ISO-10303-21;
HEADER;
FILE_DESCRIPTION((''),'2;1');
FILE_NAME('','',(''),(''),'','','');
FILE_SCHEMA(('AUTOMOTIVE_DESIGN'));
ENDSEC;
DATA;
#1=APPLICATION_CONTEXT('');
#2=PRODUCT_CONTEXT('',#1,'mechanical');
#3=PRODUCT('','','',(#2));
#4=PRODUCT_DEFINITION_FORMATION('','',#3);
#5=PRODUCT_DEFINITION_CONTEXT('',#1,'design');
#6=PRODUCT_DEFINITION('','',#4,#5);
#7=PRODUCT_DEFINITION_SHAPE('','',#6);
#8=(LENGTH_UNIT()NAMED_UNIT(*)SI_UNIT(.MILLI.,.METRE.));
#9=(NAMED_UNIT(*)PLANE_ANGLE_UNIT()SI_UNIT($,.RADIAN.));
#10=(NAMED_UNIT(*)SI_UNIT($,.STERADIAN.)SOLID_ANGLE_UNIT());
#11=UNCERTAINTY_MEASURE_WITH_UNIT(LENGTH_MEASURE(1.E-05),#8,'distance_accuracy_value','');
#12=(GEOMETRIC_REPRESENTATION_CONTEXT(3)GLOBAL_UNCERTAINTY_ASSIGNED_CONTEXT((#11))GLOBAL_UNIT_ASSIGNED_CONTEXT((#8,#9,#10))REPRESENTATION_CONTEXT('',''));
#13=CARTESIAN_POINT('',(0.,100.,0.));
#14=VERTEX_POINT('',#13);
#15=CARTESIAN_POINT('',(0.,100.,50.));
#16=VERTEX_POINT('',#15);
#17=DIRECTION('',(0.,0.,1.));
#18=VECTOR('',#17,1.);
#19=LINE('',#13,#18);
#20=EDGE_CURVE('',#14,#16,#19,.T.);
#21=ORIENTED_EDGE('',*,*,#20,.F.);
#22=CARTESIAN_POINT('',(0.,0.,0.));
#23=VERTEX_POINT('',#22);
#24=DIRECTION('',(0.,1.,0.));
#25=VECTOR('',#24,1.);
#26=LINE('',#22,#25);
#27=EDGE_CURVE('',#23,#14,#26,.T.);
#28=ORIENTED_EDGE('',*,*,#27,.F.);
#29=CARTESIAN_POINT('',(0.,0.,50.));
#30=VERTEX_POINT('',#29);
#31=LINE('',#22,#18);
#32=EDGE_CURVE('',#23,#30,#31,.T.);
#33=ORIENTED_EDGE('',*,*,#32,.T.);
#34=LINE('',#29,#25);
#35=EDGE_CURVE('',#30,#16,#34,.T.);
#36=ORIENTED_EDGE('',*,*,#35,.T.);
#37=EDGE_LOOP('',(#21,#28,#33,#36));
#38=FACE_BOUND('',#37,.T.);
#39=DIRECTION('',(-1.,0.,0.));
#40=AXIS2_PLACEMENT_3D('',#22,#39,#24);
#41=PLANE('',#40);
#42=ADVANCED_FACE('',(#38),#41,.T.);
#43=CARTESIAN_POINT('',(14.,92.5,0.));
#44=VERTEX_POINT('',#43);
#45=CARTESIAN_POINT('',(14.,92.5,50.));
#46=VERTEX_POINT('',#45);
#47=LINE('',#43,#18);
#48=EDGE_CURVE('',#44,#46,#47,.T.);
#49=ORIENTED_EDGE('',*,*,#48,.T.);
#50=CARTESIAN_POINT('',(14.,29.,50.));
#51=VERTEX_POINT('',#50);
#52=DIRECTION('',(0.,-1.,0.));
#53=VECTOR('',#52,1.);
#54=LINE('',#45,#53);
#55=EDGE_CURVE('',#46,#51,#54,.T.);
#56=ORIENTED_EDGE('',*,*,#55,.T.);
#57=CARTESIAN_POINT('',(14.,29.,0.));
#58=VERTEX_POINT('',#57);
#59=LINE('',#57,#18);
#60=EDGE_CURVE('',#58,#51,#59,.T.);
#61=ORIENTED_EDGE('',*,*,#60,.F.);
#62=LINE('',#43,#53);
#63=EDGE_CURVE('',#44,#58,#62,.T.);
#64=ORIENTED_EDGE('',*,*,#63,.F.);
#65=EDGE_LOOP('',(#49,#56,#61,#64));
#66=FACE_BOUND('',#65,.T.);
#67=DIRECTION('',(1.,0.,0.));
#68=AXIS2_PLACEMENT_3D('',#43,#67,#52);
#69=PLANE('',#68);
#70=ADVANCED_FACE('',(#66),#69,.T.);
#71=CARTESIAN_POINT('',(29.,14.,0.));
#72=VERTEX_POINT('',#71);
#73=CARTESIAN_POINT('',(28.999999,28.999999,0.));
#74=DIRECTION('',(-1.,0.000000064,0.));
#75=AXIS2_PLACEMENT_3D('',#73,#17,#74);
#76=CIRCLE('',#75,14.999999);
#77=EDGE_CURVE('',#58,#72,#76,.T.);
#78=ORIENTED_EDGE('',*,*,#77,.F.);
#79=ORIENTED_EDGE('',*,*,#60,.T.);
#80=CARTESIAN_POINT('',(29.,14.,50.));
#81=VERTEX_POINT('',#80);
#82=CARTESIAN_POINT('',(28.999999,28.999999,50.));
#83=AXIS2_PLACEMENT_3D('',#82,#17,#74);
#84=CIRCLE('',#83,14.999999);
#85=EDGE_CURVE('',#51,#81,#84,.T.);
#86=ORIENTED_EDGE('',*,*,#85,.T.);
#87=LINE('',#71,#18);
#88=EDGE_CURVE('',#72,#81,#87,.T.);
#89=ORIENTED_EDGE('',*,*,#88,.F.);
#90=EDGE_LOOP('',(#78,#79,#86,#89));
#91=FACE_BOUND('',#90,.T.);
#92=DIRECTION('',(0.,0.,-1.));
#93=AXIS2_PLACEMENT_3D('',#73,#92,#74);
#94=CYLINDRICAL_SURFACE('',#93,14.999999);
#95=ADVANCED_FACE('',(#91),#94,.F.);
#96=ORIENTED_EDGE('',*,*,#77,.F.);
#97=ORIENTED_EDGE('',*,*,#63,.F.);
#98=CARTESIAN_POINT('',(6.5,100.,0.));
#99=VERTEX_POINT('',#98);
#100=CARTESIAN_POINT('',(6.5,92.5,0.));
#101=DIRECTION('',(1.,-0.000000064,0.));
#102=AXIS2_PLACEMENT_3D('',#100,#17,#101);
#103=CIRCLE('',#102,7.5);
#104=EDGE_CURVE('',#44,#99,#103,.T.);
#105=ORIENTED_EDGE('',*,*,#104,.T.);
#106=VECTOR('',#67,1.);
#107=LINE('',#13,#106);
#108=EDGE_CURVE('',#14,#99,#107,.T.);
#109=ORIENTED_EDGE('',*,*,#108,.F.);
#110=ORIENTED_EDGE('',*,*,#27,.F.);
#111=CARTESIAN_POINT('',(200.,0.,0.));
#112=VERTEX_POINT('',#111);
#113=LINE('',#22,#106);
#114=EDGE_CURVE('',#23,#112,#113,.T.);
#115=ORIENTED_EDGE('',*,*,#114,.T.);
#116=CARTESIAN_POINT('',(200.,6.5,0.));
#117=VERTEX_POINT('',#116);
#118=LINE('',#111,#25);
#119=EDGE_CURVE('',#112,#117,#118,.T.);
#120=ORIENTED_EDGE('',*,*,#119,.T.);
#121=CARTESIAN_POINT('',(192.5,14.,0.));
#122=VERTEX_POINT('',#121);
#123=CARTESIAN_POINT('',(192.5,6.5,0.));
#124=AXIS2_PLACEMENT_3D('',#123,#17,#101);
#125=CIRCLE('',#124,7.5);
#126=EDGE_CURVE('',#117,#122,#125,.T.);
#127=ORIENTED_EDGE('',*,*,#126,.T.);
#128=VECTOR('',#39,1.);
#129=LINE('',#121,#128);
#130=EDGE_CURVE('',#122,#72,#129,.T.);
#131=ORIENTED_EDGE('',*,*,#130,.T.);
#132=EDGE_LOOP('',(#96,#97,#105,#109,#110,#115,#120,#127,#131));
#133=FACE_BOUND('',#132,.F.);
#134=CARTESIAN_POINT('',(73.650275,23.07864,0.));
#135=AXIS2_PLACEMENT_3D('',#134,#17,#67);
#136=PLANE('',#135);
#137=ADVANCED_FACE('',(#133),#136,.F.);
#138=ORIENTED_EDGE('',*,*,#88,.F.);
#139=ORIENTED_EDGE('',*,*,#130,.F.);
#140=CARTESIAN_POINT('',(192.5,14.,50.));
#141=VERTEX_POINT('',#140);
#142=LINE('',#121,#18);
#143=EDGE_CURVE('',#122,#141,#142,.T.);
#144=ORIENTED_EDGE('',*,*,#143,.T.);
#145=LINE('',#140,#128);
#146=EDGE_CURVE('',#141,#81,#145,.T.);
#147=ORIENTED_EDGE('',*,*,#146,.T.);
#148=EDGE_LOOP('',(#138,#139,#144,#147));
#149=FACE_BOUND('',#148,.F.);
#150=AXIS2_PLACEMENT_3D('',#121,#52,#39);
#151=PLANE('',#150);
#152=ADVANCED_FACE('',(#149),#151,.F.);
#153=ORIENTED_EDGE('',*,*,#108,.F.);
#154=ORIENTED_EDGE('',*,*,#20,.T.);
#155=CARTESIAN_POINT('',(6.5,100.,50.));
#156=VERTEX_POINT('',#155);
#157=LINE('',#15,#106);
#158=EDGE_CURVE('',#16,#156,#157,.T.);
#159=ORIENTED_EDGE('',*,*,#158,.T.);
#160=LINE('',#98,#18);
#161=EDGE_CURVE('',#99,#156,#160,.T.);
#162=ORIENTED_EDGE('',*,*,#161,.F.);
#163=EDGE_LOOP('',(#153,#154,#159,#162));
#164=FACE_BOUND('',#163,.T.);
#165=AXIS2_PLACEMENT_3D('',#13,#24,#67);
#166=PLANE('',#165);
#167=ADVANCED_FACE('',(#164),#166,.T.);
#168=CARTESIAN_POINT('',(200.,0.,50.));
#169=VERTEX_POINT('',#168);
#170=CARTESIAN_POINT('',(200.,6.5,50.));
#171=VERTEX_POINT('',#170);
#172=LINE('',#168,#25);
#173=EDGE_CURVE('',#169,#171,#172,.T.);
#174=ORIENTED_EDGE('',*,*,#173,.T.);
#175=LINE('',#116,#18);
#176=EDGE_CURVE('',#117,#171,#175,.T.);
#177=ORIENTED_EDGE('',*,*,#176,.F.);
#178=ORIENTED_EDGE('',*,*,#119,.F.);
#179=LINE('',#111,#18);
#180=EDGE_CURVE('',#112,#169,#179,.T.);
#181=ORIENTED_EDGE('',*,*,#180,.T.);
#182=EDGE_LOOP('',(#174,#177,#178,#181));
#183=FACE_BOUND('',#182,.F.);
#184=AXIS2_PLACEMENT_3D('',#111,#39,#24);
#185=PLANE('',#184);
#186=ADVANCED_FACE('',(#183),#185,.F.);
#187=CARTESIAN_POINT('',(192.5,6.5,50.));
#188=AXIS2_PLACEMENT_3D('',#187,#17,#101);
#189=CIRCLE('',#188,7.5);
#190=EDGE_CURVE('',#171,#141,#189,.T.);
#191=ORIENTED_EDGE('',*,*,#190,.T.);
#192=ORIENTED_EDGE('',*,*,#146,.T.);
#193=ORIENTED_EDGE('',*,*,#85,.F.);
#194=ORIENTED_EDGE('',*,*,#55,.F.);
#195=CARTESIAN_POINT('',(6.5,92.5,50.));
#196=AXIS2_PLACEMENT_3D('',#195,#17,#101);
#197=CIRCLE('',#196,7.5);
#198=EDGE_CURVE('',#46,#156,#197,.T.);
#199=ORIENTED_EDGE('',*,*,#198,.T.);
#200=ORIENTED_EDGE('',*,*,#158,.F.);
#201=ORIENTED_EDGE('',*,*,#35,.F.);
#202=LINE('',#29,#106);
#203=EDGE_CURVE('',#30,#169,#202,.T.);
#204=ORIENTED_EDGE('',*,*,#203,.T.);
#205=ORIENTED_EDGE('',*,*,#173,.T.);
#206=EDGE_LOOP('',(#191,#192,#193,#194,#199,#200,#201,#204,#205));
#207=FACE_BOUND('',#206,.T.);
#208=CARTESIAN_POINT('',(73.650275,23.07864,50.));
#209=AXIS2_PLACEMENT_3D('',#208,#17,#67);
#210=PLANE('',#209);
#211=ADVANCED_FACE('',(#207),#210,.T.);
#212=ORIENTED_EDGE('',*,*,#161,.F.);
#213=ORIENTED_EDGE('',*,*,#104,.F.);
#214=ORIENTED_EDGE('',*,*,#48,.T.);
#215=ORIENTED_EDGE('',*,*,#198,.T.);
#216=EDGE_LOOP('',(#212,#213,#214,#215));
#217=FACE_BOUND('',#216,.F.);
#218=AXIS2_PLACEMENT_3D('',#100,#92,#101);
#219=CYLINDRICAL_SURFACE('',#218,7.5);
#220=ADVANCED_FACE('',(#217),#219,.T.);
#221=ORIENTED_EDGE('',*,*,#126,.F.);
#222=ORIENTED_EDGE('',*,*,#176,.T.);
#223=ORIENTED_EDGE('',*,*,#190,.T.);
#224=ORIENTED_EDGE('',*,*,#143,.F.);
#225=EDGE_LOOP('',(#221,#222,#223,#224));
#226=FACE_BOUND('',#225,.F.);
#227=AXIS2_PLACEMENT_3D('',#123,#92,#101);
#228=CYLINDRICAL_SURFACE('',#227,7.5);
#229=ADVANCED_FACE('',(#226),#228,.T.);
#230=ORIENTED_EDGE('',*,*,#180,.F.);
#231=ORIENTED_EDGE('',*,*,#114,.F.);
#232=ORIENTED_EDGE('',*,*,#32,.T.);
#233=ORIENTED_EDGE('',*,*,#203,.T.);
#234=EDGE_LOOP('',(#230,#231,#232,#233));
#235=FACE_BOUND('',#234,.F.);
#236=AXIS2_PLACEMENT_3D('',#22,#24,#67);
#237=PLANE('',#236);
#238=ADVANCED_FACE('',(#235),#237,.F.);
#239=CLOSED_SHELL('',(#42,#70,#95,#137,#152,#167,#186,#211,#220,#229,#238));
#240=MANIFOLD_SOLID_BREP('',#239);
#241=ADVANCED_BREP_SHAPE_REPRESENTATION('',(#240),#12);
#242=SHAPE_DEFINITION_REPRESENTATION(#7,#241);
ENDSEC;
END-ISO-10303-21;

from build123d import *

# Parameters (mm, degrees)
EXTRUDE_DEPTH = 50


with BuildPart() as part:
    # Sketch → Extrude (new body)
    with BuildSketch(Plane.XY):
        with BuildLine():
            Line((0, 0), (200, 0))
            Line((200, 0), (200, 6.5))
            ThreePointArc((200, 6.5), (197.803301, 11.803301), (192.5, 14))
            Line((192.5, 14), (29, 14))
            ThreePointArc((14, 29), (18.393398, 18.393398), (29, 14))
            Line((14, 92.5), (14, 29))
            ThreePointArc((14, 92.5), (11.803301, 97.803301), (6.5, 100))
            Line((0, 100), (6.5, 100))
            Line((0, 0), (0, 100))
        make_face()
    extrude(amount=EXTRUDE_DEPTH)


solid = part.part
